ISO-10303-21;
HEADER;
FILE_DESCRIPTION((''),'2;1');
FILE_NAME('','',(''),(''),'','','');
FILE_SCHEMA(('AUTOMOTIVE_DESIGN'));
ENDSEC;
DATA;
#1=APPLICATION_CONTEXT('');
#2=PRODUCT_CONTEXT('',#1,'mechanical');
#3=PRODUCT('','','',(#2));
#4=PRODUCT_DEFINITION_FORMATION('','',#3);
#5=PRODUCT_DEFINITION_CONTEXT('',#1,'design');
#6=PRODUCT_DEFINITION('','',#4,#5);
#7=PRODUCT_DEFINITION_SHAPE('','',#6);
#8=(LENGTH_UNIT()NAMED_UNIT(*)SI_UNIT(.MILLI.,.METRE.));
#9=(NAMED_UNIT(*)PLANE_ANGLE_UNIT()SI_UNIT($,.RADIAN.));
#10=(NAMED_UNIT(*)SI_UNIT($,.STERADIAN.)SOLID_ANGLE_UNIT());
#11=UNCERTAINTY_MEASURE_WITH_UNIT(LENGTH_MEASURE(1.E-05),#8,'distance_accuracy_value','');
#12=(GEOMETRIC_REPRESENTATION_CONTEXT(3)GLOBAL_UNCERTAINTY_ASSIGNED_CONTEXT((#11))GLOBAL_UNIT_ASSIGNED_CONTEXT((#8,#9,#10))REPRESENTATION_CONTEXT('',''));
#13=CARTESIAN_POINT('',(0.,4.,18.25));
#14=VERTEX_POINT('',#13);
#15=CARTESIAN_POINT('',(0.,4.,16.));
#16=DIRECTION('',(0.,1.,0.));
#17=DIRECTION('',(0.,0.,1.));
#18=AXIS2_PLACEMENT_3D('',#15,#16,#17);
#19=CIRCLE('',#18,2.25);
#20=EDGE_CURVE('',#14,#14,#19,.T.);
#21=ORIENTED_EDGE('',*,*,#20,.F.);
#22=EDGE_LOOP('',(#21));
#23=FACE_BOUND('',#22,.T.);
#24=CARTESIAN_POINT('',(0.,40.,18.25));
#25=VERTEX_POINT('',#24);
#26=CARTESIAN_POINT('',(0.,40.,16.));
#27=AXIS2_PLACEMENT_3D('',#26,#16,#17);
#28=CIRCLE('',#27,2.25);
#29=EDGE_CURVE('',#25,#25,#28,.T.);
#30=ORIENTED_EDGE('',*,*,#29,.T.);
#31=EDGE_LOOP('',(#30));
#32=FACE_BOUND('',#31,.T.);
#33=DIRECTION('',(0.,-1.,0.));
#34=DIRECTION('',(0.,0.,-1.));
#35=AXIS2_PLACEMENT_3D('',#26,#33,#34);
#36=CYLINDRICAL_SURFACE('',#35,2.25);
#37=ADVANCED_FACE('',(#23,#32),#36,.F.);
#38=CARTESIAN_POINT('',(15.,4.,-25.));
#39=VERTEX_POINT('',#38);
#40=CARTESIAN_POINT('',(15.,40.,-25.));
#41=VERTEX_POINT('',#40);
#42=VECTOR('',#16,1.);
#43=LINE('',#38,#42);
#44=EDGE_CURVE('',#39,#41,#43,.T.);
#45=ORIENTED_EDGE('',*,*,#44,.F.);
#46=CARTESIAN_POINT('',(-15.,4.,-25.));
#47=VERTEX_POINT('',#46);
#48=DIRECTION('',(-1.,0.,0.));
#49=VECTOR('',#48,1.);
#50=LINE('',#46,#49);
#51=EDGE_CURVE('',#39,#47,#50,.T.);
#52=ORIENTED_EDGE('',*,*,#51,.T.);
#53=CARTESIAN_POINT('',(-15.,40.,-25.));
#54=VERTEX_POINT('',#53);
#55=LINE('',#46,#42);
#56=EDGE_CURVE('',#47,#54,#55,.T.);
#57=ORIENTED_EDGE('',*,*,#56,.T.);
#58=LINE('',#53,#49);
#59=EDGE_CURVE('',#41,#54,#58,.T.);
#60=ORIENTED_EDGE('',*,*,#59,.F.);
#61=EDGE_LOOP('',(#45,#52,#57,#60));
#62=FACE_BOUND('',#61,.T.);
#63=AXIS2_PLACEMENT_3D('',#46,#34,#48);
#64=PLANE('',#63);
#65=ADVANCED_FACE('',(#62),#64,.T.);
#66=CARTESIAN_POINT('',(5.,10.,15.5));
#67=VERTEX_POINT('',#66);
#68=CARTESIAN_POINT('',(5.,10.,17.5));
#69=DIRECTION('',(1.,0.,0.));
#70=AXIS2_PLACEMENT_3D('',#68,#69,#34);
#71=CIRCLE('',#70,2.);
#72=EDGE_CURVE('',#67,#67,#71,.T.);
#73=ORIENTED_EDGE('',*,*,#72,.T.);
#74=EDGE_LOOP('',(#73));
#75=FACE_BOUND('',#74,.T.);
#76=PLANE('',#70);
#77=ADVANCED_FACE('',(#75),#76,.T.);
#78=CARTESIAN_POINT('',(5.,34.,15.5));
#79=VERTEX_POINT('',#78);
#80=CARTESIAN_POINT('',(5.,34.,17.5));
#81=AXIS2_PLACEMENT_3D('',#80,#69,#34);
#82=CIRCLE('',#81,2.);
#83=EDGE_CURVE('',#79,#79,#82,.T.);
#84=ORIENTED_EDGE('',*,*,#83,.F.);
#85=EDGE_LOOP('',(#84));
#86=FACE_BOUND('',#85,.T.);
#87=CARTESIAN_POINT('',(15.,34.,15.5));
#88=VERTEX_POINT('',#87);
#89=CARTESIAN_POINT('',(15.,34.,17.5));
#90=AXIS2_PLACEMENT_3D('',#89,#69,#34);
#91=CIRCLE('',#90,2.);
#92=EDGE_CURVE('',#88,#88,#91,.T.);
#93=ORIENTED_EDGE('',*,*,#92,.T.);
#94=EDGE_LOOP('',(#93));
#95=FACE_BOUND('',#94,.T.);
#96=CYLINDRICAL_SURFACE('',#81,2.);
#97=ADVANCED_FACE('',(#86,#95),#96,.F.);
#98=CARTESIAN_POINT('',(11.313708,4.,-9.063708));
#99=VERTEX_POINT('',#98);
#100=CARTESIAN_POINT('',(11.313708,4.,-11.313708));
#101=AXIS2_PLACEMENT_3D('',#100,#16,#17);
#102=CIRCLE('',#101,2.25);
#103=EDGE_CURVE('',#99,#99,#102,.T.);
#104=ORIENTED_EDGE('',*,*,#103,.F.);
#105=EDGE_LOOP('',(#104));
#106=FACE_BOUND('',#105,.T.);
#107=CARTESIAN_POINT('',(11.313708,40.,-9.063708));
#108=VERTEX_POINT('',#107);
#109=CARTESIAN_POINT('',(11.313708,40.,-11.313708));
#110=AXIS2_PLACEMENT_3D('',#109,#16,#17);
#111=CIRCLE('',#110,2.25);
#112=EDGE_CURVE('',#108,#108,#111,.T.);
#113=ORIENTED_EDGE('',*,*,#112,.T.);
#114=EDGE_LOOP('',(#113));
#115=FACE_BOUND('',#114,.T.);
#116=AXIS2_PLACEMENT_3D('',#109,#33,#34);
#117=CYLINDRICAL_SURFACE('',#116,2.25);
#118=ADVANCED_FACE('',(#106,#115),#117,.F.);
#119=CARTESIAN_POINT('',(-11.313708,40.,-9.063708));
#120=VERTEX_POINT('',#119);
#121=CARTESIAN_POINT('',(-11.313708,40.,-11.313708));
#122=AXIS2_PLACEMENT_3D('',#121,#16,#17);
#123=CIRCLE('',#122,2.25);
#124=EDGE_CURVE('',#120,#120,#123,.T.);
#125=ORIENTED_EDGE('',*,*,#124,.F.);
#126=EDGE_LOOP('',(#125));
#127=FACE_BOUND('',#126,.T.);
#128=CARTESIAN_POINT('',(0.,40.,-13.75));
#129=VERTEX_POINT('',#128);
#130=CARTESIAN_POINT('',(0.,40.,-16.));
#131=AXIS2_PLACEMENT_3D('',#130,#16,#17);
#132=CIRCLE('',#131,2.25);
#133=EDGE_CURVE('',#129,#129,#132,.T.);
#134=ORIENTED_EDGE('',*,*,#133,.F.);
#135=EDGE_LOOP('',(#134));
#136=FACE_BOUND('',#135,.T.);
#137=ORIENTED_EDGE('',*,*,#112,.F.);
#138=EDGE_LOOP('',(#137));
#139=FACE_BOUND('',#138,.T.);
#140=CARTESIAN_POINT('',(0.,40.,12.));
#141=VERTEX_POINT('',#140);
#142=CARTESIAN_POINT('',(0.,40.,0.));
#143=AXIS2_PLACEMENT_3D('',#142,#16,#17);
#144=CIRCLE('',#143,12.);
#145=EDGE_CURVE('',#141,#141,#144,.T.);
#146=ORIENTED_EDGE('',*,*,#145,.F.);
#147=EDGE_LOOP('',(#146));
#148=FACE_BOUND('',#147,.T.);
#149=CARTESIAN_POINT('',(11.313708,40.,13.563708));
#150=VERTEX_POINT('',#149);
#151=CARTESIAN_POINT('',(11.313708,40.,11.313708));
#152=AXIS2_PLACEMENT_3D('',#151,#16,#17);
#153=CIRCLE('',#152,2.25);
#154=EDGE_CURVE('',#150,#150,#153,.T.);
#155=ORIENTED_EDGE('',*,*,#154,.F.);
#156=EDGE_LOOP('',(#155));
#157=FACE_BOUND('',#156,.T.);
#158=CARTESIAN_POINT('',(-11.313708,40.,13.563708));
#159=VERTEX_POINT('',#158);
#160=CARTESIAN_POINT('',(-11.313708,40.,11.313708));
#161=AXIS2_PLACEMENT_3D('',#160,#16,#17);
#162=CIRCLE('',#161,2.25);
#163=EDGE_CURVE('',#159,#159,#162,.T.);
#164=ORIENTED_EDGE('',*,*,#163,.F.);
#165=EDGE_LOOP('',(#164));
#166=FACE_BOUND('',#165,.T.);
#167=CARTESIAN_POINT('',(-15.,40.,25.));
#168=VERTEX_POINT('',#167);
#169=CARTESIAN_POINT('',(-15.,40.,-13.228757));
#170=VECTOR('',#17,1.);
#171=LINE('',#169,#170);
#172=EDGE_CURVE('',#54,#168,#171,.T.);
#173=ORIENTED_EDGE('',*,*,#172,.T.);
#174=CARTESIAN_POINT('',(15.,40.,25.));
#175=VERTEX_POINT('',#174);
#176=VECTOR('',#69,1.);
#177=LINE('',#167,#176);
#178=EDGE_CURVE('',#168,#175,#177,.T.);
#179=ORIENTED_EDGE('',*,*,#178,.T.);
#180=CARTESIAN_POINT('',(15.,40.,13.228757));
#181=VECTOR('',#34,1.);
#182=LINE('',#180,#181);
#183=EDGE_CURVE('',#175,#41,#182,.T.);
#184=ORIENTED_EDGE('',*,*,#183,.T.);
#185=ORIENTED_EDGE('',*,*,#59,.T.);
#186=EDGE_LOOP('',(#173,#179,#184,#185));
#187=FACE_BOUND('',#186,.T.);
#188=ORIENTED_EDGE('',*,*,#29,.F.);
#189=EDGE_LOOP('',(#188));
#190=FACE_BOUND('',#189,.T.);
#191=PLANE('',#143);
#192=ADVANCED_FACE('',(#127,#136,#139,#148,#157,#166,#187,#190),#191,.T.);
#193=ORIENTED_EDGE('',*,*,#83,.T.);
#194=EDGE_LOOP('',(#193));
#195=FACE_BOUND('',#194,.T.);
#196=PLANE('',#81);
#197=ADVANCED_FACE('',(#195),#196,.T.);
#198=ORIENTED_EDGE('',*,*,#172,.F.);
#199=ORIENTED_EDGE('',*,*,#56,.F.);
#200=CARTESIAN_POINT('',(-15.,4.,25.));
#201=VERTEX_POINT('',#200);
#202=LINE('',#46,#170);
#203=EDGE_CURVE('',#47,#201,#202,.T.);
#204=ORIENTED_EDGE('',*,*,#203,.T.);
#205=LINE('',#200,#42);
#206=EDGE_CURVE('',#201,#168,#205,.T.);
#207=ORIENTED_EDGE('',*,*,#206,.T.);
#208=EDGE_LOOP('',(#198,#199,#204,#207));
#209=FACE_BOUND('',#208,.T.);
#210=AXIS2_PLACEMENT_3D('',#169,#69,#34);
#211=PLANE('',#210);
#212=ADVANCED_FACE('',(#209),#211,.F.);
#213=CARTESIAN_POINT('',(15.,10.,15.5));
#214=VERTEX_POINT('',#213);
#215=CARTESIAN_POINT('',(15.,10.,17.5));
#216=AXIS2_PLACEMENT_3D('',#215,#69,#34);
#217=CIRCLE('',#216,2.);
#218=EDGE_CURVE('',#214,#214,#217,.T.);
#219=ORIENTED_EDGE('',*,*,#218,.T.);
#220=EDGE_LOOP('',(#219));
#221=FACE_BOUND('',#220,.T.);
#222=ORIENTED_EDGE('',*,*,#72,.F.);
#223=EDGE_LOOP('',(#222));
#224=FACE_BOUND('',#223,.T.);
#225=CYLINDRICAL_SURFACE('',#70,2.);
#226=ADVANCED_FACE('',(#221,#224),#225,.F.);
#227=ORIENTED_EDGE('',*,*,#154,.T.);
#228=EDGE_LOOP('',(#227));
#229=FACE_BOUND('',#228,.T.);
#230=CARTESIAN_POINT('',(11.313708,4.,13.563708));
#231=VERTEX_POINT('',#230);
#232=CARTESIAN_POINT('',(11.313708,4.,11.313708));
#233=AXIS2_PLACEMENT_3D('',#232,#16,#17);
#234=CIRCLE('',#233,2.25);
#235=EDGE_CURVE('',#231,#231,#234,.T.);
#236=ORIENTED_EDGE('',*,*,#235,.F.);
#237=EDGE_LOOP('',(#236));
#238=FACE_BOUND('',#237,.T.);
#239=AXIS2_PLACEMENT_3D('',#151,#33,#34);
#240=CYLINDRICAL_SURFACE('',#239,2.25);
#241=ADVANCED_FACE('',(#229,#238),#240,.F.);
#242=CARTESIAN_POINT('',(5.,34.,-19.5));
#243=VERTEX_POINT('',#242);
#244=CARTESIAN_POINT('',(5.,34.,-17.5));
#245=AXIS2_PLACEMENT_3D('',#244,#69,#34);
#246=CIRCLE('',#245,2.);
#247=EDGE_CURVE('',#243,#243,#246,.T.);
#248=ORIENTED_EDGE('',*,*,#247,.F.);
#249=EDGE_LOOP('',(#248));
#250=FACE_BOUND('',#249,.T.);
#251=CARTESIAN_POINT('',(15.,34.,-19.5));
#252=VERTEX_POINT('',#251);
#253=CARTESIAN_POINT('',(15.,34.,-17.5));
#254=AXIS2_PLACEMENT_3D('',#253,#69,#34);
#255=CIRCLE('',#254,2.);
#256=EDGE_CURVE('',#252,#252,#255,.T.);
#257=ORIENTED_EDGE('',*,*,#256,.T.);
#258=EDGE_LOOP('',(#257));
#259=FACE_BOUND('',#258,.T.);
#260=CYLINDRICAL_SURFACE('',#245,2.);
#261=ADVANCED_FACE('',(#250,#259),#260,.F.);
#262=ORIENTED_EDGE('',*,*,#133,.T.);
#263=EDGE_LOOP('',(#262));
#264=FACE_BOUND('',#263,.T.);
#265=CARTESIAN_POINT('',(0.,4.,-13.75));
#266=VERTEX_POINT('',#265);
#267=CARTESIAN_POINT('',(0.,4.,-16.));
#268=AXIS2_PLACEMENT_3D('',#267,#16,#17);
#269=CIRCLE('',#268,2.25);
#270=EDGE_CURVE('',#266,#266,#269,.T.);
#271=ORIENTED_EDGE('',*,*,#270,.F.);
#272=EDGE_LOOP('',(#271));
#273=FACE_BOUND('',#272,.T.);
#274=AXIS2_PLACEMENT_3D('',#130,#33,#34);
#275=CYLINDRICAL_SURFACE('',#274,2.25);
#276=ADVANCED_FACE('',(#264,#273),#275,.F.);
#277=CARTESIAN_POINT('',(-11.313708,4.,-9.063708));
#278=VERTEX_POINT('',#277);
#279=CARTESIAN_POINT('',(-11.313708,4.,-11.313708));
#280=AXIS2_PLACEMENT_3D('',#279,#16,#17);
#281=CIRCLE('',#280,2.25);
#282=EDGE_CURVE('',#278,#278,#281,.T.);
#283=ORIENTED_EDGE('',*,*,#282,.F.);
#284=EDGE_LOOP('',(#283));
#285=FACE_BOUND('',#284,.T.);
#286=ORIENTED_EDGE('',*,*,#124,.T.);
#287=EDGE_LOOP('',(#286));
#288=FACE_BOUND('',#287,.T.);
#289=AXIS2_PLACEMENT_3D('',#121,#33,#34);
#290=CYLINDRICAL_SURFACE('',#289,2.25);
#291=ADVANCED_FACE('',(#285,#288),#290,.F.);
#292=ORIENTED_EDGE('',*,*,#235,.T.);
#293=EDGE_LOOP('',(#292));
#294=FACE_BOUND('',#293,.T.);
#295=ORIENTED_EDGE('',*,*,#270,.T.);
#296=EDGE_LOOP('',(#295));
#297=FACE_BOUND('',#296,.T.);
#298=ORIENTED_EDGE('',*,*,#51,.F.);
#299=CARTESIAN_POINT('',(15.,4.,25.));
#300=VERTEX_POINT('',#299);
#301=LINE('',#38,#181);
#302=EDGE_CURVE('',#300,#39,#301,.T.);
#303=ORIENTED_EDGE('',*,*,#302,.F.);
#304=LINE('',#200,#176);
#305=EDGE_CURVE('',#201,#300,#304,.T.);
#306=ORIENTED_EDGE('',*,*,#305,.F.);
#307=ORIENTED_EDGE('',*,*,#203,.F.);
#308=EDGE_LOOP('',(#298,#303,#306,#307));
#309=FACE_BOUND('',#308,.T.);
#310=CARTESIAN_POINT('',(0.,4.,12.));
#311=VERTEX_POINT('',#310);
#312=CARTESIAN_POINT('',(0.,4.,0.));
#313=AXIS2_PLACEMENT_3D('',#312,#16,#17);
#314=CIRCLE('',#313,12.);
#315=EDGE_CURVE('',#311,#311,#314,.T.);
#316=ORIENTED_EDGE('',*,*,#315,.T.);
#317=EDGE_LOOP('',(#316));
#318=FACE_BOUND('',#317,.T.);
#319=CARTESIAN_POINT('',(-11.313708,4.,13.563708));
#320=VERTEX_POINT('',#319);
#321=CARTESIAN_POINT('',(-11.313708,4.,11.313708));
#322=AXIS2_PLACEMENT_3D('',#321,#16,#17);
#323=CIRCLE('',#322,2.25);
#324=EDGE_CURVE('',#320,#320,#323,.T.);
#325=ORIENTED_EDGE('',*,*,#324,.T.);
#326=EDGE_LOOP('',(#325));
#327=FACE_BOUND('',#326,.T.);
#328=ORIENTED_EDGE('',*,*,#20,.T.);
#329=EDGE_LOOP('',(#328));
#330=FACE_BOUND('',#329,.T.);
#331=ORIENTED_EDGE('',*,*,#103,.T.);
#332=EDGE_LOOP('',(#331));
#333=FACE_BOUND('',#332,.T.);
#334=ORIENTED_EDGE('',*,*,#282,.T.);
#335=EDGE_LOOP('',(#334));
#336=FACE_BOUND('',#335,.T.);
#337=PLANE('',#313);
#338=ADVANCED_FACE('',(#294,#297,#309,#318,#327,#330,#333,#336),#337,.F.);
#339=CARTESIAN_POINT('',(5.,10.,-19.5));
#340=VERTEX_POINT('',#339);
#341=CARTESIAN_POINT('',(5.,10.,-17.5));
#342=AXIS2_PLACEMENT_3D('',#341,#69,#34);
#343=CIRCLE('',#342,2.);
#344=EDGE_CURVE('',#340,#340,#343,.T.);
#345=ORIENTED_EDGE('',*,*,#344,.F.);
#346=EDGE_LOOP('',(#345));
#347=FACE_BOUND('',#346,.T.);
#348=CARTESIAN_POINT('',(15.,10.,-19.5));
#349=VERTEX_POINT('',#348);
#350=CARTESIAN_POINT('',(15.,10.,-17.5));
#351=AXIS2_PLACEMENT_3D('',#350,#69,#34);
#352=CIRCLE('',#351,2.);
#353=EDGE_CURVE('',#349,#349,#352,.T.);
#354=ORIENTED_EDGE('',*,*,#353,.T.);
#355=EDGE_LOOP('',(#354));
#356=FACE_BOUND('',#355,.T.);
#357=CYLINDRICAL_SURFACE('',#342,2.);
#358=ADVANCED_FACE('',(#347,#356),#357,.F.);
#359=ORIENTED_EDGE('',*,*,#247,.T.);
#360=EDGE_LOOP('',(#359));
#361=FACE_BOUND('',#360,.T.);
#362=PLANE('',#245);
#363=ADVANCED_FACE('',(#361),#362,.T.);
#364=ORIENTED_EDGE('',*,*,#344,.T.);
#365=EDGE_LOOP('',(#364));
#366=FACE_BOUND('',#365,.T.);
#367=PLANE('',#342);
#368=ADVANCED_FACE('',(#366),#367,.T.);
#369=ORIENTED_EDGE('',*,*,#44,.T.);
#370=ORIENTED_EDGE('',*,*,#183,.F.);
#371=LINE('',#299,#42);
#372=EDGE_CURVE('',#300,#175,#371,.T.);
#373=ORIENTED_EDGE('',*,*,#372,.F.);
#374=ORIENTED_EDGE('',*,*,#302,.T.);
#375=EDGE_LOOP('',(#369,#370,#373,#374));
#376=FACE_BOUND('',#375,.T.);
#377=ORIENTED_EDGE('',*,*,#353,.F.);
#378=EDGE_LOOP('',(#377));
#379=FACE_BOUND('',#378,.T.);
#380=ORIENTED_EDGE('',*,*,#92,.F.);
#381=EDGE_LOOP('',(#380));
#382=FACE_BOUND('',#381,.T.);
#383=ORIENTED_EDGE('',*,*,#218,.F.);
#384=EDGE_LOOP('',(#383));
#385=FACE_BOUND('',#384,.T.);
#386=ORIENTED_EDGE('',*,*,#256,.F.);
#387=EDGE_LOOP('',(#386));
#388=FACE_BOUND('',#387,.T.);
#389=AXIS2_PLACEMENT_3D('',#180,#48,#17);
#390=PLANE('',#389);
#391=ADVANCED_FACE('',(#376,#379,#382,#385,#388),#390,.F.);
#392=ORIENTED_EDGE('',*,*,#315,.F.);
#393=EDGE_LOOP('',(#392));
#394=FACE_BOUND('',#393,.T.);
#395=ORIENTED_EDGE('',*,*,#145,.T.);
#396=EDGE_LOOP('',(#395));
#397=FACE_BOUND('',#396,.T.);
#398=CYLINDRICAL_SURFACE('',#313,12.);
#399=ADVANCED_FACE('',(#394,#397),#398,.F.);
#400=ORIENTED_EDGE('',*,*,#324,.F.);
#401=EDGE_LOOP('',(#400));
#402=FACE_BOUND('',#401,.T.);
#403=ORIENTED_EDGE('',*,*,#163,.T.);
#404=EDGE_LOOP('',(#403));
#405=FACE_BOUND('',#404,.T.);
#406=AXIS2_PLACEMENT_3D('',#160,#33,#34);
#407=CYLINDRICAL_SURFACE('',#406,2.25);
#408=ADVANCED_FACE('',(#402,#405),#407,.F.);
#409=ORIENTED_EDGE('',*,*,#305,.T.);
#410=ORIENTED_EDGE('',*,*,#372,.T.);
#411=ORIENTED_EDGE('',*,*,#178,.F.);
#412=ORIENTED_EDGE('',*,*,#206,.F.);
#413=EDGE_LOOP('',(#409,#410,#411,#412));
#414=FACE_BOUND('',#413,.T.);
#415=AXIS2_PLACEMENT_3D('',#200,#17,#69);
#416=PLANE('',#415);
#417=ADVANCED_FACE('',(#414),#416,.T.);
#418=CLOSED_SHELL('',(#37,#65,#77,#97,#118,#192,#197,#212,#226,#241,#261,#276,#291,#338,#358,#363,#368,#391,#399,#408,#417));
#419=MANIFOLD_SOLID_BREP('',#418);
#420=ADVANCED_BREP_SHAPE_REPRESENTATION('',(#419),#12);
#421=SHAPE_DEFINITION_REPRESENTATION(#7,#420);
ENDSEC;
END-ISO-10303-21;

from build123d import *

# Parameters (mm, degrees)
SKETCH_1_R           = 12
SKETCH_1_R_2         = 6
EXTRUDE_1_DEPTH      = 30
SKETCH_2_R           = 6
SKETCH_2_R_2         = 2.25
EXTRUDE_2_DEPTH      = 10
EXTRUDE_START        = -36
SKETCH_23_W          = 30
SKETCH_23_H          = 50
SKETCH_23_R          = 2.25
EXTRUDE_10_DEPTH     = 36
SKETCH_24_W          = 30
SKETCH_24_H          = 8
CUT_EXTRUDE_16_DEPTH = 66.76473219
SKETCH_25_R          = 12
CUT_EXTRUDE_17_DEPTH = 47.324939288
SKETCH_26_R          = 2
CUT_EXTRUDE_18_DEPTH = 10


with BuildPart() as part:
    # 草图1 → 凸台-拉伸1 (new body)
    with BuildSketch(Plane(origin=(0, 0, 0), x_dir=(1, 0, 0), z_dir=(0, 1, 0))):
        Circle(SKETCH_1_R)
        Circle(SKETCH_1_R_2, mode=Mode.SUBTRACT)
    extrude(amount=EXTRUDE_1_DEPTH)

    # 草图2 → 凸台-拉伸2 (add)
    with BuildSketch(Plane(origin=(0, 30, 0), x_dir=(1, 0, 0), z_dir=(0, 1, 0))):
        with BuildLine():
            Line((-15, 13.228756555), (-15, -13.228756555))
            ThreePointArc((-15, -13.228756555), (0, -20), (15, -13.228756555))
            Line((15, -13.228756555), (15, 13.228756555))
            ThreePointArc((15, 13.228756555), (0, 20), (-15, 13.228756555))
        make_face()
        Circle(SKETCH_2_R, mode=Mode.SUBTRACT)
        with Locations((0, 16)):
            Circle(SKETCH_2_R_2, mode=Mode.SUBTRACT)
        with Locations((11.313708499, 11.313708499)):
            Circle(SKETCH_2_R_2, mode=Mode.SUBTRACT)
        with Locations((11.313708499, -11.313708499)):
            Circle(SKETCH_2_R_2, mode=Mode.SUBTRACT)
        with Locations((0, -16)):
            Circle(SKETCH_2_R_2, mode=Mode.SUBTRACT)
        with Locations((-11.313708499, -11.313708499)):
            Circle(SKETCH_2_R_2, mode=Mode.SUBTRACT)
        with Locations((-11.313708499, 11.313708499)):
            Circle(SKETCH_2_R_2, mode=Mode.SUBTRACT)
    extrude(amount=EXTRUDE_2_DEPTH)

    # 草图23 → 凸台-拉伸10 (add)
    with BuildSketch(Plane(origin=(0, 40, 0), x_dir=(1, 0, 0), z_dir=(0, 1, 0)).offset(EXTRUDE_START)):
        Rectangle(SKETCH_23_W, SKETCH_23_H)
        with Locations((-11.313708499, -11.313708499)):
            Circle(SKETCH_23_R, mode=Mode.SUBTRACT)
        with Locations((0, -16)):
            Circle(SKETCH_23_R, mode=Mode.SUBTRACT)
        with Locations((11.313708499, -11.313708499)):
            Circle(SKETCH_23_R, mode=Mode.SUBTRACT)
        with Locations((11.313708499, 11.313708499)):
            Circle(SKETCH_23_R, mode=Mode.SUBTRACT)
        with Locations((0, 16)):
            Circle(SKETCH_23_R, mode=Mode.SUBTRACT)
        with Locations((-11.313708499, 11.313708499)):
            Circle(SKETCH_23_R, mode=Mode.SUBTRACT)
    extrude(amount=EXTRUDE_10_DEPTH)

    # 草图24 → 切除-拉伸16 (cut, through all)
    with BuildSketch(Plane.XY.offset(25)):
        Rectangle(SKETCH_24_W, SKETCH_24_H)
    extrude(amount=-CUT_EXTRUDE_16_DEPTH, mode=Mode.SUBTRACT)

    # 草图25 → 切除-拉伸17 (cut, through all)
    with BuildSketch(Plane(origin=(0, 40, 0), x_dir=(1, 0, 0), z_dir=(0, 1, 0))):
        Circle(SKETCH_25_R)
    extrude(amount=-CUT_EXTRUDE_17_DEPTH, mode=Mode.SUBTRACT)

    # 草图26 → 切除-拉伸18 (cut)
    with BuildSketch(Plane(origin=(15, 0, 0), x_dir=(0, 0, -1), z_dir=(1, 0, 0))):
        with Locations((17.5, 34)):
            Circle(SKETCH_26_R)
        with Locations((-17.5, 34)):
            Circle(SKETCH_26_R)
        with Locations((-17.5, 10)):
            Circle(SKETCH_26_R)
        with Locations((17.5, 10)):
            Circle(SKETCH_26_R)
    extrude(amount=-CUT_EXTRUDE_18_DEPTH, mode=Mode.SUBTRACT)


solid = part.part
